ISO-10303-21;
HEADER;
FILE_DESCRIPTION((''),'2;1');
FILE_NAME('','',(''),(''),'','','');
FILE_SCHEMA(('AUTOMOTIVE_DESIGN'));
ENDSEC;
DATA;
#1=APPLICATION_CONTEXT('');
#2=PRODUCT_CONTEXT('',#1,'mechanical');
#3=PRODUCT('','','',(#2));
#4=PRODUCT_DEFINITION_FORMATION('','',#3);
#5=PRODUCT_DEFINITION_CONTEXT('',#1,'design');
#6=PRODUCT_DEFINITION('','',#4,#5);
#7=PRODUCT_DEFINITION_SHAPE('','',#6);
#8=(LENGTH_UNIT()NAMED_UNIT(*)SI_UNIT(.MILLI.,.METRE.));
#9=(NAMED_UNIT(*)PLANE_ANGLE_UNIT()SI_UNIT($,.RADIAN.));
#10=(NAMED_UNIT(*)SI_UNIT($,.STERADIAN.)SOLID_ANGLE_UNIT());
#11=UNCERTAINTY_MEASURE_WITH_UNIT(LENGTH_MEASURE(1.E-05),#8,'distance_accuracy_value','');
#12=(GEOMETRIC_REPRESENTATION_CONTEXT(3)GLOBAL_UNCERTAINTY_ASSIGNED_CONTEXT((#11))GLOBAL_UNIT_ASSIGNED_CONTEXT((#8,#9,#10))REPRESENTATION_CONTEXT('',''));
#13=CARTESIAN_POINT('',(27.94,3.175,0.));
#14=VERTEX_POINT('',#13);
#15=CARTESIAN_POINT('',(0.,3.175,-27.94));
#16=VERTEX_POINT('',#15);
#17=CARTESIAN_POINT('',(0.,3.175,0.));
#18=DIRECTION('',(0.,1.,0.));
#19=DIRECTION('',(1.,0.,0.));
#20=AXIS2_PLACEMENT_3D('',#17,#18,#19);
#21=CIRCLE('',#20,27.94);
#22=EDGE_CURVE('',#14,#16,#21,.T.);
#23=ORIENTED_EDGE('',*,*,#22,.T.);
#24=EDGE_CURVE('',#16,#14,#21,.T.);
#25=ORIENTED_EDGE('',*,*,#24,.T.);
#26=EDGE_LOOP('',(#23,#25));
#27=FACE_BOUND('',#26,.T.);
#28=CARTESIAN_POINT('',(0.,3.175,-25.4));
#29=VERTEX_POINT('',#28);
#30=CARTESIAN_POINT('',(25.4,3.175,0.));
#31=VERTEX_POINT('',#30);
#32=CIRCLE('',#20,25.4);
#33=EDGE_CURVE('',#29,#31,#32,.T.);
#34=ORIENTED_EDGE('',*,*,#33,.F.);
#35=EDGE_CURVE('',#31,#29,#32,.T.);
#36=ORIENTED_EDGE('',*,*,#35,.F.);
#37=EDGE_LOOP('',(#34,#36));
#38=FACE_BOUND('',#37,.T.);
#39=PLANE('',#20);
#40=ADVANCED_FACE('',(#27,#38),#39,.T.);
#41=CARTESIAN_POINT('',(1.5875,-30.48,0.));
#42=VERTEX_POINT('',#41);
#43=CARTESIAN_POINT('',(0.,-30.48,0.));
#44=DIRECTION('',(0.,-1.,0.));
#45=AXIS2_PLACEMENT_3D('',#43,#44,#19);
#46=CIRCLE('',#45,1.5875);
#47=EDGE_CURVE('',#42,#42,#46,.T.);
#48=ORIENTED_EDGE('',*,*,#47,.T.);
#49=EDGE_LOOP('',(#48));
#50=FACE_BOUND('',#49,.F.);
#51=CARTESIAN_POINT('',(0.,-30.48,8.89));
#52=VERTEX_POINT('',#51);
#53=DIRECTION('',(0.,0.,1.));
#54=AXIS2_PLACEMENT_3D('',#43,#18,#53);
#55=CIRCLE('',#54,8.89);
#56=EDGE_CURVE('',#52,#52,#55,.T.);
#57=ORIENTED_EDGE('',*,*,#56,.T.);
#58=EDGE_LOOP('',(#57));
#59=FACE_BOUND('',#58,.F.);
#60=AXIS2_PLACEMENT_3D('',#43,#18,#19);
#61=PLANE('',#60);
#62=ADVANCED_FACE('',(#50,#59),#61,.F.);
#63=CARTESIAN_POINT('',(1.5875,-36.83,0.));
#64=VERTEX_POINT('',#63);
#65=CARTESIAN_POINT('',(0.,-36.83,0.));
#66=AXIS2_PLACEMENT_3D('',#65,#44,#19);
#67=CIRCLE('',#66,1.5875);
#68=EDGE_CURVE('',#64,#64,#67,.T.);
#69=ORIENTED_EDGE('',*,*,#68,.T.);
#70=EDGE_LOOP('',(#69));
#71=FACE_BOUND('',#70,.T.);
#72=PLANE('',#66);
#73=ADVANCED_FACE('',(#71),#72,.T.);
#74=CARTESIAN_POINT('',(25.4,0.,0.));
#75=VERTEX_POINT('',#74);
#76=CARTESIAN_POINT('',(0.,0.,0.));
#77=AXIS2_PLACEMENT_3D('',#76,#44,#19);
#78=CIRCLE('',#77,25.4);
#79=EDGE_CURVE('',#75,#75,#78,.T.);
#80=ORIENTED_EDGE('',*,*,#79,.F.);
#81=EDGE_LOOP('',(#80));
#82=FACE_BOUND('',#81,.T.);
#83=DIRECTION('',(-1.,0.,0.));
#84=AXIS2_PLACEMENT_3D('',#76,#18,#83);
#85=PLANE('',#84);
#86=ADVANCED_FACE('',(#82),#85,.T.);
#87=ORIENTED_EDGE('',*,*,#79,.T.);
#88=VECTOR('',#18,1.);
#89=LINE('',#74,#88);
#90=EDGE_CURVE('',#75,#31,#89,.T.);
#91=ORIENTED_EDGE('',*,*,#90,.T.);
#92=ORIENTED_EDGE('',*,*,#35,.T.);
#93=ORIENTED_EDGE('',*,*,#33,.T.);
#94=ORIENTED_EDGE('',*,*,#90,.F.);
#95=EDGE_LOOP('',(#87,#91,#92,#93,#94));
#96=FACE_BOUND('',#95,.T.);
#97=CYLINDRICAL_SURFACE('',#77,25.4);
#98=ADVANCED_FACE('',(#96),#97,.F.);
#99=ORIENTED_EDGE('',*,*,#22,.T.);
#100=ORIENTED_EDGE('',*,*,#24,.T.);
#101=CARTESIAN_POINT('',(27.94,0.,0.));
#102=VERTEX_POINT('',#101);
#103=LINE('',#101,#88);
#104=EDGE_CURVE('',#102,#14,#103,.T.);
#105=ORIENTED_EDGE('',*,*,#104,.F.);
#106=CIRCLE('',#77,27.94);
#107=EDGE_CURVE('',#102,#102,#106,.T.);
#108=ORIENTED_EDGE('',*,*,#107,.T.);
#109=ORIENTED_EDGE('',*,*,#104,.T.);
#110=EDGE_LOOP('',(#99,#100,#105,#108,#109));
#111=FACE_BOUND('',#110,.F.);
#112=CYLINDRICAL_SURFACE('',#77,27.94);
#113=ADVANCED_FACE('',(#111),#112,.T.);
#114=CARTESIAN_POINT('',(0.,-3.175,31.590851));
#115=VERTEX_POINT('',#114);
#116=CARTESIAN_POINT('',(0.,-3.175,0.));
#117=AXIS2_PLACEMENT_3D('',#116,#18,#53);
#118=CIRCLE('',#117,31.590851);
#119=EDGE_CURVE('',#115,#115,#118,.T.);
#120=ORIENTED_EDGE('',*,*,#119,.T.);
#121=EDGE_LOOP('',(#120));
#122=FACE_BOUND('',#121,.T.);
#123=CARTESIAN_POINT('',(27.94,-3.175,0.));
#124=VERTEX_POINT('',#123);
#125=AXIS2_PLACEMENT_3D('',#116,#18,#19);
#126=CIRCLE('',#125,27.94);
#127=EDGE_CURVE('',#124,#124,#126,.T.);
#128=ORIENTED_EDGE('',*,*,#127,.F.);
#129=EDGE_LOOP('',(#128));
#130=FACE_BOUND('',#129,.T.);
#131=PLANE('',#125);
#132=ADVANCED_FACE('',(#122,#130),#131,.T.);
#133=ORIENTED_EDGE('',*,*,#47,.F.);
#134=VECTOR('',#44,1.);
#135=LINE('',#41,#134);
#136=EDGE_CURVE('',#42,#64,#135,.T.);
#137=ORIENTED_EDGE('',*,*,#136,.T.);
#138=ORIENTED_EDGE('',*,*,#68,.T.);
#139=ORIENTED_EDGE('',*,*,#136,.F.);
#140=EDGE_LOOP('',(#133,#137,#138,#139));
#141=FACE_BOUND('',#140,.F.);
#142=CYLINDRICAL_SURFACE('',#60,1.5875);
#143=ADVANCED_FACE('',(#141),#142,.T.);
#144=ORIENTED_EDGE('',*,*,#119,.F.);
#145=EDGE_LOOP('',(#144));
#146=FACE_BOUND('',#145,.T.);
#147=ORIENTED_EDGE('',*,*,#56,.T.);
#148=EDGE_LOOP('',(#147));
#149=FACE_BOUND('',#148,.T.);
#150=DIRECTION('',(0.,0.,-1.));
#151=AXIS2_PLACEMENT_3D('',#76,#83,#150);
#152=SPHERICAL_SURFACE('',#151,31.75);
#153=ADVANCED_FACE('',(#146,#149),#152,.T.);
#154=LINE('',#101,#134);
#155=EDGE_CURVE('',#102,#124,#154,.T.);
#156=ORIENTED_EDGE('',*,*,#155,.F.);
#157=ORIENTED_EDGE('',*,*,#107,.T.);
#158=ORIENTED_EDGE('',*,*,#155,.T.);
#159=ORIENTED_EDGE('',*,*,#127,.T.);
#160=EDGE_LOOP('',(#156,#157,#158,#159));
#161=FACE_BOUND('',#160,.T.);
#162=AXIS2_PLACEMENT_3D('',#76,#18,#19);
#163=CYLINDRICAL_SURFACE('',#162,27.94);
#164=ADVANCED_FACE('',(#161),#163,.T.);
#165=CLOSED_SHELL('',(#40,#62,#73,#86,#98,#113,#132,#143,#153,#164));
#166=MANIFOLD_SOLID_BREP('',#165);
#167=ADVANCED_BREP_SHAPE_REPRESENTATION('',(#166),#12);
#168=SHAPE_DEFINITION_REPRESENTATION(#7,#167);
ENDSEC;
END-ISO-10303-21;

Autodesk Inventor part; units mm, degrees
ref_plane "YZ Plane" through (0, 0, 0) normal (1, 0, 0) x (0, 1, 0)
ref_plane "XZ Plane" through (0, 0, 0) normal (0, 1, 0) x (-1, 0, 0)
ref_plane "XY Plane" through (0, 0, 0) normal (0, 0, 1) x (1, 0, 0)
sketch "Sketch1" plane through (0, 0, 0) normal (0, 1, 0) x (-1, 0, 0)
  arc A0 (-31.75, 0) -> (31.75, 0) centre (0, 0) ccw
  line L0 (0, 0) -> (-31.75, 0) construction
  line L1 (0, 0) -> (31.75, 0) construction
  line L2 (31.75, 0) -> (-31.75, 0)
  dimension "d0" = 31.75
  dimension "d1" = 180
revolve "Revolution1" add sketch "Sketch1" angle 180 about axis through (-31.75, 0, 0) along (-1, 0, 0)
sketch "Sketch2" plane through (0, 0, 0) normal (0, 1, 0) x (1, 0, 0)
  line L0 (0, 0) -> (0, 27.94)
  line L1 (0, 27.94) -> (0, 0)
  line L2 (0, 0) -> (0, 25.4)
  circle A0 centre (0, 0) radius 27.94
  circle A1 centre (0, 0) radius 25.4
  dimension "d3" = 27.94
  dimension "d4" = 25.4
extrude "Extrusion1" add sketch "Sketch2" along normal blind 3.175
sketch "Sketch3" plane through (0, 0, 0) normal (0, 1, 0) x (1, 0, 0)
  circle A0 centre (0, 0) radius 27.94
  circle A1 centre (0, 0) radius 31.75
extrude "Extrusion2" cut sketch "Sketch3" against normal blind 3.175
sketch "Sketch4" plane through (0, 0, 0) normal (0, 1, 0) x (1, 0, 0)
  circle A0 centre (0, 0) radius 31.75
  dimension "d9" = 63.5
extrude "Extrusion3" cut sketch "Sketch4" along normal blind 50.8 and the other way blind 30.48 keep common part
sketch "Sketch5" plane through (0, -30.48, 0) normal (0, -1, 0) x (1, 0, 0)
  circle A0 centre (0, 0) radius 1.5875
  dimension "d14" = 3.175
extrude "Extrusion4" add sketch "Sketch5" along normal blind 6.35
properties part number "mid ball bottom"
